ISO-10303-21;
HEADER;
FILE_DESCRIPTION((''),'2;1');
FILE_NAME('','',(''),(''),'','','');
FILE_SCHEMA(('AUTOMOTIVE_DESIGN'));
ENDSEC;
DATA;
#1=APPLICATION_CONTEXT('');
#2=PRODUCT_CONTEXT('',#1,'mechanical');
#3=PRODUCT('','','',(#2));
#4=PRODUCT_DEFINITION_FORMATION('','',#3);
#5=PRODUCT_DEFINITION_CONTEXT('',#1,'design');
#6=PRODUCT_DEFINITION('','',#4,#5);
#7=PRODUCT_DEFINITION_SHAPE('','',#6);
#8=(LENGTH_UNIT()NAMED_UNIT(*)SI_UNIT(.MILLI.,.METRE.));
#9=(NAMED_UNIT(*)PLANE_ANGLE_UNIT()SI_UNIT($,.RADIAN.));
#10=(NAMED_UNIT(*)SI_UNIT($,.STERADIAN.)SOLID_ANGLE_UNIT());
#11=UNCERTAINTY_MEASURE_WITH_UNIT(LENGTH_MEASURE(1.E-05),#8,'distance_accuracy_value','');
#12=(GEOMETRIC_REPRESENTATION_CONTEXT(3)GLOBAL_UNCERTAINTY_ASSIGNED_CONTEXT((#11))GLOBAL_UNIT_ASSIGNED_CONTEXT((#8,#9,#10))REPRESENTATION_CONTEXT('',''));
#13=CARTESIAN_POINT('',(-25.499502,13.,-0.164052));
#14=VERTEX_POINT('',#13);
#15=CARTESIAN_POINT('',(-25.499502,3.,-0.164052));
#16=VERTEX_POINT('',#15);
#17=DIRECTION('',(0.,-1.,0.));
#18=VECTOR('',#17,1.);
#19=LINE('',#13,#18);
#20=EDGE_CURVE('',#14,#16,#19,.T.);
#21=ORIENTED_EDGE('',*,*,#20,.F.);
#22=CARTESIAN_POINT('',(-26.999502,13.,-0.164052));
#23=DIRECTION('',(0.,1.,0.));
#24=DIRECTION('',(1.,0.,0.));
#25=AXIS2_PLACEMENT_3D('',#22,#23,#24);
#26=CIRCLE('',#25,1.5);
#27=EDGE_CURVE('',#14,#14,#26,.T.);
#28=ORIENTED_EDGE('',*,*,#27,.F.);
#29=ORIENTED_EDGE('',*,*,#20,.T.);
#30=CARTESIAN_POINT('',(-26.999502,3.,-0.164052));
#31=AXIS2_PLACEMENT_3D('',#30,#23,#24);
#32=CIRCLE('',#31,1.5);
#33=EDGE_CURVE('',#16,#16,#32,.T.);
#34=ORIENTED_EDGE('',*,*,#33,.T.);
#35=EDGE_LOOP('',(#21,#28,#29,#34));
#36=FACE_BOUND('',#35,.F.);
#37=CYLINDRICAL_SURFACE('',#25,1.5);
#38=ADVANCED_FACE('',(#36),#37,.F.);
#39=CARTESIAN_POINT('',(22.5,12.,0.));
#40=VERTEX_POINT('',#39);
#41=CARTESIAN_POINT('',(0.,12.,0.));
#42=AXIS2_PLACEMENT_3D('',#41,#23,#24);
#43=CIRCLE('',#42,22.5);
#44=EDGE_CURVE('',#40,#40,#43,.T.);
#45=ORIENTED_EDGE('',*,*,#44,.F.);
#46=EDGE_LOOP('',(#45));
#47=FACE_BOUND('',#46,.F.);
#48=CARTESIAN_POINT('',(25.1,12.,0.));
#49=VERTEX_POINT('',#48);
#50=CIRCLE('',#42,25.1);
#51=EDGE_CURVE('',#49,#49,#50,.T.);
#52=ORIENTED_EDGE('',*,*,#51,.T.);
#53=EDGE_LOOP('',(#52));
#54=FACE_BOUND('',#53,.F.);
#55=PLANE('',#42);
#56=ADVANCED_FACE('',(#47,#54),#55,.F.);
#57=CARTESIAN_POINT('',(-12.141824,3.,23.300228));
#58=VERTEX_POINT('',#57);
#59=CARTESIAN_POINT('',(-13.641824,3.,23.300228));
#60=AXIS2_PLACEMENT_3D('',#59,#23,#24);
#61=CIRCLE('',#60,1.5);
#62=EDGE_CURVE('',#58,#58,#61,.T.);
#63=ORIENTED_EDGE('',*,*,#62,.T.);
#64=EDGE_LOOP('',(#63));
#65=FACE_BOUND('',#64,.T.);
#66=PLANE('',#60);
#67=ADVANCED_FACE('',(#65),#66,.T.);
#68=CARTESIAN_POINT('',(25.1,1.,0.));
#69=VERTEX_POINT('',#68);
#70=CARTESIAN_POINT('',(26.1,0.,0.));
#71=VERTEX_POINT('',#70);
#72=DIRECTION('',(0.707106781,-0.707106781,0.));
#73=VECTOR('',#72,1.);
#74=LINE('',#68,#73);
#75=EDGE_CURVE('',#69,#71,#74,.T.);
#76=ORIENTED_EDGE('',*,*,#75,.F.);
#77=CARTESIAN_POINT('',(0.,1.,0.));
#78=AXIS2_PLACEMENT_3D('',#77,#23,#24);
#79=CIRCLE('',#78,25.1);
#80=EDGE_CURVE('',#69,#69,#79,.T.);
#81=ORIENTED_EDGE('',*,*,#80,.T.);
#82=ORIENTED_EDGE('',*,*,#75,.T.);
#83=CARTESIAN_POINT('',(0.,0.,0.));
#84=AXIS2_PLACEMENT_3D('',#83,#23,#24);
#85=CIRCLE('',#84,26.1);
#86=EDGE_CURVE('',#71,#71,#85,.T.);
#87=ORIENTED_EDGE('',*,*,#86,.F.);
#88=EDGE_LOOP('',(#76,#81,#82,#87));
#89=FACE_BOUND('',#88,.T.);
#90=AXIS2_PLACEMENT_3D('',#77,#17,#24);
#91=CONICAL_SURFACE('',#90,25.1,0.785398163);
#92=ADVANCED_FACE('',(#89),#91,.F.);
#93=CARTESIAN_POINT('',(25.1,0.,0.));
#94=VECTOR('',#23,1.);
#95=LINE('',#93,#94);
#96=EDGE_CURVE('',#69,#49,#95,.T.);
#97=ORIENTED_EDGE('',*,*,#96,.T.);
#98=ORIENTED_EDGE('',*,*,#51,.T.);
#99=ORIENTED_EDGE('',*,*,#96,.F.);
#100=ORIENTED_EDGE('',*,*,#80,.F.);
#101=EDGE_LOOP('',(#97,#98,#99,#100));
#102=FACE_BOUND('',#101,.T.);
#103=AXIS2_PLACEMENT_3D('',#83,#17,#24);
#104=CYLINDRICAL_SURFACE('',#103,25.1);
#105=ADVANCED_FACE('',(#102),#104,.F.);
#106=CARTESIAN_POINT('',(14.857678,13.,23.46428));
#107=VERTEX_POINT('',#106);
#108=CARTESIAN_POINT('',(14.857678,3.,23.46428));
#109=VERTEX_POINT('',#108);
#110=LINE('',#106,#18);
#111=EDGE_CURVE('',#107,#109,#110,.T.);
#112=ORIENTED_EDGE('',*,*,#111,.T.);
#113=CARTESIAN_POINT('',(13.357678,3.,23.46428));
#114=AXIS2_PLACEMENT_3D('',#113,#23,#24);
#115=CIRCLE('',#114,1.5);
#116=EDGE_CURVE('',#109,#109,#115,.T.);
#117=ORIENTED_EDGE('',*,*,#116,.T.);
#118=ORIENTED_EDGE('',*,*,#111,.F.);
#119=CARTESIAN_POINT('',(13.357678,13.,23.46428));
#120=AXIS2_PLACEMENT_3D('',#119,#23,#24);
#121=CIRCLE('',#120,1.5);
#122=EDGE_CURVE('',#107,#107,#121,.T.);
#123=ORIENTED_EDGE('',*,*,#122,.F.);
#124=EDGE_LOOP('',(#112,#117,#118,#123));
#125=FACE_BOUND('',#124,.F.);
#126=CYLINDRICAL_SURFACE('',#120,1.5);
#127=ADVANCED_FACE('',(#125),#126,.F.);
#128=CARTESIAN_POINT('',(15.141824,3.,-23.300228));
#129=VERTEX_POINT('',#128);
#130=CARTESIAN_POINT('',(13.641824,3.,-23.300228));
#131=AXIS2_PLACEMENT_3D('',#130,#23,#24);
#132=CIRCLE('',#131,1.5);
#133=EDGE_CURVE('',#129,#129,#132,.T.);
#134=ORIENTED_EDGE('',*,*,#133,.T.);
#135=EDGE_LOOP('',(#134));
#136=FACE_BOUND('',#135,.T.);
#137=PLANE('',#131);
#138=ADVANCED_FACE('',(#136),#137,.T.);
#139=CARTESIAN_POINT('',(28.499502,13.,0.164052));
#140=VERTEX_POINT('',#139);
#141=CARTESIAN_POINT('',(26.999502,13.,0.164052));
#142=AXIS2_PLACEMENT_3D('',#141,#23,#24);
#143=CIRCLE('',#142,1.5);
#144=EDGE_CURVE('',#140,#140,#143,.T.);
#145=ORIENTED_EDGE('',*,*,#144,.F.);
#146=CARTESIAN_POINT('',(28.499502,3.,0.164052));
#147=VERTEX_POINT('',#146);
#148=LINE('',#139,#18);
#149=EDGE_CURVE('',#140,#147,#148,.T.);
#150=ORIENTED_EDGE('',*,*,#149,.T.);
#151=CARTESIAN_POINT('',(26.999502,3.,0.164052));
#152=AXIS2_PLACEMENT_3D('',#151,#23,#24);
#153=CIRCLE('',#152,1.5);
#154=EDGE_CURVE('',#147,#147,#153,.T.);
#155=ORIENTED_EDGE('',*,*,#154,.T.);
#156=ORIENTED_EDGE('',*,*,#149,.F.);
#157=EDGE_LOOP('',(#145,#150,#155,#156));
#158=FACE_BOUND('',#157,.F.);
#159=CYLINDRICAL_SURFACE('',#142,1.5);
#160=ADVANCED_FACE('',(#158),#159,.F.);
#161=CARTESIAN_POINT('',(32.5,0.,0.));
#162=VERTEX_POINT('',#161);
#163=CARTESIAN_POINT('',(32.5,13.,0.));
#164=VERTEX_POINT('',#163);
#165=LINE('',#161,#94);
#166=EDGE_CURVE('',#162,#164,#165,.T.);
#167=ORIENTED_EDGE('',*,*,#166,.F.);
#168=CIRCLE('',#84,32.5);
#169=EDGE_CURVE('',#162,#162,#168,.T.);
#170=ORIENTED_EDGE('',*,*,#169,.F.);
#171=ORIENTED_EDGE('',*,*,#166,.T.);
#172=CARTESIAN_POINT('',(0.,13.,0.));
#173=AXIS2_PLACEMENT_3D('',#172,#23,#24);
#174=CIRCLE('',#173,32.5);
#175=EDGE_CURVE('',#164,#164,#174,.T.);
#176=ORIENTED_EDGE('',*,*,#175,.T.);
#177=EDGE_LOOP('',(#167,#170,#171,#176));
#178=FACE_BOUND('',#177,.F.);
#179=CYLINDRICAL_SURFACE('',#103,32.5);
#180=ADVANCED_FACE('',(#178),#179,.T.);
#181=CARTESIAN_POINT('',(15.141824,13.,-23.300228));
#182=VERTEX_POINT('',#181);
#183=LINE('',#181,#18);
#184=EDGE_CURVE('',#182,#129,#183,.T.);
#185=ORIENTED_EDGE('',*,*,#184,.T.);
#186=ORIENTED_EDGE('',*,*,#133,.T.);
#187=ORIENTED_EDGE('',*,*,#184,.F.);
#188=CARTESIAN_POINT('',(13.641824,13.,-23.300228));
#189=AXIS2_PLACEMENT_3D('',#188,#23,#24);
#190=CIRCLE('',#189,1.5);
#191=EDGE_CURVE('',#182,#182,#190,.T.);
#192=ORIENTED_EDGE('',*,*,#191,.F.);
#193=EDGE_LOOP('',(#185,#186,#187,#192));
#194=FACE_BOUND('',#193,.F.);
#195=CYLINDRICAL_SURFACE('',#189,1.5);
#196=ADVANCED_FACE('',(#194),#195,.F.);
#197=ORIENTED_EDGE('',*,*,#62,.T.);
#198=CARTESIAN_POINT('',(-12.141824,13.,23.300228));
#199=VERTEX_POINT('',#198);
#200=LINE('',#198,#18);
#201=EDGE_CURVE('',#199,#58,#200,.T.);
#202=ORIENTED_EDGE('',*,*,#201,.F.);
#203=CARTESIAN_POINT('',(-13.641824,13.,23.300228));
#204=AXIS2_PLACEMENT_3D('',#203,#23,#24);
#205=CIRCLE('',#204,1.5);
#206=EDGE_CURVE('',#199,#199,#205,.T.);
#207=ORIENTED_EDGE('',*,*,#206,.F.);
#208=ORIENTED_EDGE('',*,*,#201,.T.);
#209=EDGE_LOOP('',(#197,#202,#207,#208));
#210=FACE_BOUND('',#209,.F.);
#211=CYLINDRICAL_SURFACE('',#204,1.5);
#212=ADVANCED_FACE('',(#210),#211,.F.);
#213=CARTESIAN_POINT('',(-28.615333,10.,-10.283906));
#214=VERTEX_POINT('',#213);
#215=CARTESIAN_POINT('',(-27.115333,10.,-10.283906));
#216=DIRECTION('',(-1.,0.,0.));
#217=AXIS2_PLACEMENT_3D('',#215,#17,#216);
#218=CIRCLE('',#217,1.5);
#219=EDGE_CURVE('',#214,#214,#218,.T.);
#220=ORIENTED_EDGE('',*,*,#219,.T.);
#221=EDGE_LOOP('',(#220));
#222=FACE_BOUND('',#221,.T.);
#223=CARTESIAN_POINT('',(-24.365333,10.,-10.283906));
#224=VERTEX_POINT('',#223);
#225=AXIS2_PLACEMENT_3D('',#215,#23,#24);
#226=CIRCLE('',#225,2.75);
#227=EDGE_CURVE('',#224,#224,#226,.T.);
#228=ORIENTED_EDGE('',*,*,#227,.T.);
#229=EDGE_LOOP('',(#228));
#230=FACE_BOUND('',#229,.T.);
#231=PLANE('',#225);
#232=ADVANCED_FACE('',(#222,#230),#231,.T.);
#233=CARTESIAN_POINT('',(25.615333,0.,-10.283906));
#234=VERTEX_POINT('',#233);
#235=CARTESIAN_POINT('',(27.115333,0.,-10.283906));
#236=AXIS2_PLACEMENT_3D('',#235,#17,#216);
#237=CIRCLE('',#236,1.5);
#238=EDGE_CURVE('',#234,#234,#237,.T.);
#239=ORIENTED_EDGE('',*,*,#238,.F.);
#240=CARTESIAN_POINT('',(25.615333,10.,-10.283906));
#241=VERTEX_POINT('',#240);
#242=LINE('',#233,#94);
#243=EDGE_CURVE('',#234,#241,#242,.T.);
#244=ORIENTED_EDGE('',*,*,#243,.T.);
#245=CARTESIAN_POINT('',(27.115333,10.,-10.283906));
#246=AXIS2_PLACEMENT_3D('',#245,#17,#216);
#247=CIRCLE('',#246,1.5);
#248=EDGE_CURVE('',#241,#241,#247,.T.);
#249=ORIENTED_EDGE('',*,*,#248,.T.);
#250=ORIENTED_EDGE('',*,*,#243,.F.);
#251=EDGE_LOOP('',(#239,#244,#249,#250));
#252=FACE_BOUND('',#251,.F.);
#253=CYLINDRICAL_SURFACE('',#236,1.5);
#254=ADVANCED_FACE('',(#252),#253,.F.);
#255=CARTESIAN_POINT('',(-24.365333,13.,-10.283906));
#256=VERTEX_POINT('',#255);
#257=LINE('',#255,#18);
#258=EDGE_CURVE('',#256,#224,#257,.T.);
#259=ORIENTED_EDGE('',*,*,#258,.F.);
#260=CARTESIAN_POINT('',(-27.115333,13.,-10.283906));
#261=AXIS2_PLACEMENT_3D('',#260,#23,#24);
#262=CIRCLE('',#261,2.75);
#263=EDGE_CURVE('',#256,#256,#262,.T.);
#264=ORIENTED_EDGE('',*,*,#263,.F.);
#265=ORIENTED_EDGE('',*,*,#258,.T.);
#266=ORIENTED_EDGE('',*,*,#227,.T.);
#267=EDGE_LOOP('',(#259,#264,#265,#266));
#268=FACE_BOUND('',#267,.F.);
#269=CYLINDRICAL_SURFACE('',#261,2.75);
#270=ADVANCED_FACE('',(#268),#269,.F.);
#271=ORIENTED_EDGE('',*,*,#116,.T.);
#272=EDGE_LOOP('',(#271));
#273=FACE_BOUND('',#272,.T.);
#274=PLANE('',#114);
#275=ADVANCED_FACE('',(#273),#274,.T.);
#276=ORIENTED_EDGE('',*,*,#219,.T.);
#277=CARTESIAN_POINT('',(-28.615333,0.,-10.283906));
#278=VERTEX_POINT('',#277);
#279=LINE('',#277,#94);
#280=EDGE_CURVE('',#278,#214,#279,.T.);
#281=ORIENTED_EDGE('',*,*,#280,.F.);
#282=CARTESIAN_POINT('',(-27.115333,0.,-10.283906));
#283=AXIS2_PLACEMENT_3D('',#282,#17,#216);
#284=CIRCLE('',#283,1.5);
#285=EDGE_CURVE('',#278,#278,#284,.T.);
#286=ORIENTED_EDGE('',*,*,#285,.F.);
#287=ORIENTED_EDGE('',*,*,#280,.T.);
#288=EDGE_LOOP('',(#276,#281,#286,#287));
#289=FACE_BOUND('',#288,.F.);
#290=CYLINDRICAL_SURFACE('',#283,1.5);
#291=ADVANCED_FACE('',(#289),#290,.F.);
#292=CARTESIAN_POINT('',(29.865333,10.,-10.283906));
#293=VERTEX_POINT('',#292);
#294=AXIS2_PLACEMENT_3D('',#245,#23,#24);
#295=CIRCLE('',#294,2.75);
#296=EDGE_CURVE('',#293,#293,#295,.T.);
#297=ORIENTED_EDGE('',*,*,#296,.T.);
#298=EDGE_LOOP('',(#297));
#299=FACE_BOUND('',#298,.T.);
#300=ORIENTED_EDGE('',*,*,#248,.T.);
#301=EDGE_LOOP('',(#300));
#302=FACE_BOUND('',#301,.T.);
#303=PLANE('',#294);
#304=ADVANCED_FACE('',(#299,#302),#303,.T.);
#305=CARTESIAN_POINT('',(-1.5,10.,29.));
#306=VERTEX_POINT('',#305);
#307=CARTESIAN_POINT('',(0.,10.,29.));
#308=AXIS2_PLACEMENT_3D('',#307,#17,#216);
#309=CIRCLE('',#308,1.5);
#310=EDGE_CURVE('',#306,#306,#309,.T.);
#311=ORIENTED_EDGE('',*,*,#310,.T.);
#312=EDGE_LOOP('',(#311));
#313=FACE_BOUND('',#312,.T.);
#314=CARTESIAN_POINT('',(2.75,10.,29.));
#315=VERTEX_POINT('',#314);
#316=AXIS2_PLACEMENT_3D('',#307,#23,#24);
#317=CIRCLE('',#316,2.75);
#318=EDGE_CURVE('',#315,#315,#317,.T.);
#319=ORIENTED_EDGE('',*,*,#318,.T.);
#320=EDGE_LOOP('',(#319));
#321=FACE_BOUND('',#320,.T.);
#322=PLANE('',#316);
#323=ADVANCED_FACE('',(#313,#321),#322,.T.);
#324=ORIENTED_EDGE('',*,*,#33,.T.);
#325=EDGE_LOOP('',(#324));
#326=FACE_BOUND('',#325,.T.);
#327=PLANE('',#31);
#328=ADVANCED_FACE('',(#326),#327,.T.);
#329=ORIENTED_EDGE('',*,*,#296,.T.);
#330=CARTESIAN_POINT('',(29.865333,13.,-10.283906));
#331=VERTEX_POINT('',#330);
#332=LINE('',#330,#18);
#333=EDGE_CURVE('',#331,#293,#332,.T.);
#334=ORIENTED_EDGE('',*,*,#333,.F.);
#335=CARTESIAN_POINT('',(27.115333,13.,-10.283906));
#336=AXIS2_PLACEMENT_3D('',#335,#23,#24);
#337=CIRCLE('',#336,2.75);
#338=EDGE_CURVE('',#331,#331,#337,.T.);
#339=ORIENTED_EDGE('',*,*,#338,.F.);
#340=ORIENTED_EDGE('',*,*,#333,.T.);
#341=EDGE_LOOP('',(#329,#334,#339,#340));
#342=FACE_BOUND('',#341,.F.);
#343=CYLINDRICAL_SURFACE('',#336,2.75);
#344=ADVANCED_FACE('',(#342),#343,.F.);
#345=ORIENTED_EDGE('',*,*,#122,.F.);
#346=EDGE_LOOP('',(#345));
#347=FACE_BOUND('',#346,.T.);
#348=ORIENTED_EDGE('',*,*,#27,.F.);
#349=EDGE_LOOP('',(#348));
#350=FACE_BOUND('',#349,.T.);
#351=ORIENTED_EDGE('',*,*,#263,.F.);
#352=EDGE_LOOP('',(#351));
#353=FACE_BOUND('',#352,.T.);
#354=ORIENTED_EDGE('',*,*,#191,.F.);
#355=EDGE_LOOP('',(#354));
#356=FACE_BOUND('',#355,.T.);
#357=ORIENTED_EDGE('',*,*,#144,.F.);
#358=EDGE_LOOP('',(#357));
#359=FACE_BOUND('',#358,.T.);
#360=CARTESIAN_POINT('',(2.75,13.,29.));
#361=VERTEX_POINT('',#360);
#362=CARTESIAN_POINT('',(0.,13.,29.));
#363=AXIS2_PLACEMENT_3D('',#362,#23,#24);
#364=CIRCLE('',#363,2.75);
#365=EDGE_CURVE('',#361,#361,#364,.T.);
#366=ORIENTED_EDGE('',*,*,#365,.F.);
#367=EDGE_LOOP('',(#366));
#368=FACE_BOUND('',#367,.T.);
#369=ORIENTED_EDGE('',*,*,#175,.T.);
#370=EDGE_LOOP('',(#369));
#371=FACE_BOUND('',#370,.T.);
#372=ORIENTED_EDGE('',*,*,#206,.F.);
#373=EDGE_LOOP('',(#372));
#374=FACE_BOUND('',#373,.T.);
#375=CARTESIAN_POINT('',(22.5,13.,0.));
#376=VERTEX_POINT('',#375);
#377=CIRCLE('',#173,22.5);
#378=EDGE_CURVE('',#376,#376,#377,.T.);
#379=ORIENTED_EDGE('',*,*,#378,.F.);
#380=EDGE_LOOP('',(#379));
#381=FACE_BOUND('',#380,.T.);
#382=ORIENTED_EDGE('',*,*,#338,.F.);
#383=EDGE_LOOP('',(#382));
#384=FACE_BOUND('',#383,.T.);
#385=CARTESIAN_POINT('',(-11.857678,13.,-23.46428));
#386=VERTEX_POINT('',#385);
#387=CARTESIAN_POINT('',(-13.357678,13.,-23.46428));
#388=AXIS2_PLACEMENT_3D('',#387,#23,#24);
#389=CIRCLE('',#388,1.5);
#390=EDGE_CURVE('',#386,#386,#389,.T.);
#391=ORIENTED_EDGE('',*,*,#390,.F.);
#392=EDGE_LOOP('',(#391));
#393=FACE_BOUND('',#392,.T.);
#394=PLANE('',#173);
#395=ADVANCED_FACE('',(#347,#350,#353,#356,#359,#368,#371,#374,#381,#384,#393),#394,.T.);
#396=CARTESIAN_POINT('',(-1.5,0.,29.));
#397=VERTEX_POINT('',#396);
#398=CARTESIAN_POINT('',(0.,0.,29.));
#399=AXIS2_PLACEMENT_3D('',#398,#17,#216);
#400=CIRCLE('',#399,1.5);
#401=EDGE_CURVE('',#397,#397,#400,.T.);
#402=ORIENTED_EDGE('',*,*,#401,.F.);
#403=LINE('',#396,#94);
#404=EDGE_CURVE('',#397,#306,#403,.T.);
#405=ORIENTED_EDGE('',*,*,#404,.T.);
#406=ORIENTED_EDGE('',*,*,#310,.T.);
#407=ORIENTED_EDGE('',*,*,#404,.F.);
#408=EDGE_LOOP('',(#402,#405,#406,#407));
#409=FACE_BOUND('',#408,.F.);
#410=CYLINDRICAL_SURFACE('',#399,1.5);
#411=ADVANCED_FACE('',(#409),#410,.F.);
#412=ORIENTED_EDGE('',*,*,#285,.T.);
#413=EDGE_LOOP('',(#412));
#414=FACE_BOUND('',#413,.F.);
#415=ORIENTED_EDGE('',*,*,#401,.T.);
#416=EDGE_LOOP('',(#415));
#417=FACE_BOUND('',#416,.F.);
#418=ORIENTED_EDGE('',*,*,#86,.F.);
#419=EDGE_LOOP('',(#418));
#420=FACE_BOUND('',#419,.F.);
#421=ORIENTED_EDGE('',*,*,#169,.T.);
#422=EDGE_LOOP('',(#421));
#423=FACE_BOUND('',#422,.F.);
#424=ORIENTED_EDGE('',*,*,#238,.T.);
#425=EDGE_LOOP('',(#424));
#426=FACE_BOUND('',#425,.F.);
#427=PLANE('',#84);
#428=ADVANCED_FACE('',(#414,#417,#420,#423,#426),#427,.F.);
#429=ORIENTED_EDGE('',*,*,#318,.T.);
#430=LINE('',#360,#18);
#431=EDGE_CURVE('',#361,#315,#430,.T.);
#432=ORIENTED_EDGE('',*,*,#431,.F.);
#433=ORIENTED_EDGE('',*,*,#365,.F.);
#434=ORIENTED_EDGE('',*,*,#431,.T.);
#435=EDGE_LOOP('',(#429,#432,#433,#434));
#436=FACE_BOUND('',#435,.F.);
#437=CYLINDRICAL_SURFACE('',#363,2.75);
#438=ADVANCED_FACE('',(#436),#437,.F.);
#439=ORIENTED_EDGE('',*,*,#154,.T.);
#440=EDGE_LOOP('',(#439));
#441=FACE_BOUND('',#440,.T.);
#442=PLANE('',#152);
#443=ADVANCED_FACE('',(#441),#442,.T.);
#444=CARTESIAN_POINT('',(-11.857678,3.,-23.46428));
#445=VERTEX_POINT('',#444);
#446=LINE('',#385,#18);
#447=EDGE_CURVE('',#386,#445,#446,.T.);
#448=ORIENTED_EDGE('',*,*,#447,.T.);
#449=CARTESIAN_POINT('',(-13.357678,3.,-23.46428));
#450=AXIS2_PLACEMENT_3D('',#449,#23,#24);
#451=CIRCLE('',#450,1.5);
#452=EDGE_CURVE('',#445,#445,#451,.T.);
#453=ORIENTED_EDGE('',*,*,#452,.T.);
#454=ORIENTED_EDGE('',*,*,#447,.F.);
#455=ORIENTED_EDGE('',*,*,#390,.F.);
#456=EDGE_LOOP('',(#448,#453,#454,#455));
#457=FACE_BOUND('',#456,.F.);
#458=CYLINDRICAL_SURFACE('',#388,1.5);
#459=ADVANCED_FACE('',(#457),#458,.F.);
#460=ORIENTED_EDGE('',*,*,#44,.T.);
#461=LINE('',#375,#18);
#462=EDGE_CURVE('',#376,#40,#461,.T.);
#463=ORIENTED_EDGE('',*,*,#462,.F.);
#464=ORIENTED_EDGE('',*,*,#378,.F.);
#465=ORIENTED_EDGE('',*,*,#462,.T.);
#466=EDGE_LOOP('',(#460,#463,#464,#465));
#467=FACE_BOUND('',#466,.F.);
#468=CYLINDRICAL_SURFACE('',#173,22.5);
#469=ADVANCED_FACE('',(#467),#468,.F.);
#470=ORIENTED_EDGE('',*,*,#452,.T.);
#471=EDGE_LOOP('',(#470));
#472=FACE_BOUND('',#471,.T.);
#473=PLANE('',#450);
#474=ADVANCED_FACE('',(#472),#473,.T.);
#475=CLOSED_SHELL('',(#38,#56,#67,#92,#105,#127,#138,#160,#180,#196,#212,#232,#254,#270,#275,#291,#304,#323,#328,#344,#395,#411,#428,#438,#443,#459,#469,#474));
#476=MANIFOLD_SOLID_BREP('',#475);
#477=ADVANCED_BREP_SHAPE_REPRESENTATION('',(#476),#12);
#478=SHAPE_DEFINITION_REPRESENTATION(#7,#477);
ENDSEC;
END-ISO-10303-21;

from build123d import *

# Parameters (mm, degrees)
SKETCH1_R           = 32.5
SKETCH1_R_2         = 25.1
BOSS_EXTRUDE1_DEPTH = 13
SKETCH2_R           = 25.1
SKETCH2_R_2         = 22.5
BOSS_EXTRUDE2_DEPTH = 1
SKETCH3_R           = 1.5
CUT_EXTRUDE1_DEPTH  = 14
CHAMFER1_SIZE       = 1
SKETCH4_R           = 2.75
CUT_EXTRUDE2_DEPTH  = 3
SKETCH5_R           = 1.5
CUT_EXTRUDE3_DEPTH  = 10


with BuildPart() as part:
    # Sketch1 → Boss-Extrude1 (new body)
    with BuildSketch(Plane(origin=(0, 0, 0), x_dir=(1, 0, 0), z_dir=(0, 1, 0))):
        Circle(SKETCH1_R)
        Circle(SKETCH1_R_2, mode=Mode.SUBTRACT)
    extrude(amount=BOSS_EXTRUDE1_DEPTH)

    # Sketch2 → Boss-Extrude2 (add)
    with BuildSketch(Plane(origin=(0, 13, 0), x_dir=(1, 0, 0), z_dir=(0, 1, 0))):
        Circle(SKETCH2_R)
        Circle(SKETCH2_R_2, mode=Mode.SUBTRACT)
    extrude(amount=-BOSS_EXTRUDE2_DEPTH)

    # Sketch3 → Cut-Extrude1 (cut, through all)
    with BuildSketch(Plane(origin=(0, 0, 0), x_dir=(-1, 0, 0), z_dir=(0, -1, 0))):
        with Locations((0, -29)):
            Circle(SKETCH3_R)
        with Locations((-27.115332973, 10.283905765)):
            Circle(SKETCH3_R)
        with Locations((27.115332973, 10.283905765)):
            Circle(SKETCH3_R)
    extrude(amount=-CUT_EXTRUDE1_DEPTH, mode=Mode.SUBTRACT)

    # Chamfer1
    chamfer1_edges = [part.edges().sort_by_distance(p)[0] for p in [
        (-25.1, 0, 0),
    ]]
    chamfer(chamfer1_edges, length=CHAMFER1_SIZE)

    # Sketch4 → Cut-Extrude2 (cut)
    with BuildSketch(Plane(origin=(0, 13, 0), x_dir=(1, 0, 0), z_dir=(0, 1, 0))):
        with Locations((-27.115332973, 10.283905765)):
            Circle(SKETCH4_R)
        with Locations((27.115332973, 10.283905765)):
            Circle(SKETCH4_R)
        with Locations((0, -29)):
            Circle(SKETCH4_R)
    extrude(amount=-CUT_EXTRUDE2_DEPTH, mode=Mode.SUBTRACT)

    # Sketch5 → Cut-Extrude3 (cut)
    with BuildSketch(Plane(origin=(0, 13, 0), x_dir=(1, 0, 0), z_dir=(0, 1, 0))):
        with Locations((13.641823983, 23.300228291)):
            Circle(SKETCH5_R)
        with Locations((26.999501606, -0.164051977)):
            Circle(SKETCH5_R)
        with Locations((13.357677623, -23.464280269)):
            Circle(SKETCH5_R)
        with Locations((-13.641823983, -23.300228291)):
            Circle(SKETCH5_R)
        with Locations((-26.999501606, 0.164051977)):
            Circle(SKETCH5_R)
        with Locations((-13.357677623, 23.464280269)):
            Circle(SKETCH5_R)
    extrude(amount=-CUT_EXTRUDE3_DEPTH, mode=Mode.SUBTRACT)


solid = part.part
